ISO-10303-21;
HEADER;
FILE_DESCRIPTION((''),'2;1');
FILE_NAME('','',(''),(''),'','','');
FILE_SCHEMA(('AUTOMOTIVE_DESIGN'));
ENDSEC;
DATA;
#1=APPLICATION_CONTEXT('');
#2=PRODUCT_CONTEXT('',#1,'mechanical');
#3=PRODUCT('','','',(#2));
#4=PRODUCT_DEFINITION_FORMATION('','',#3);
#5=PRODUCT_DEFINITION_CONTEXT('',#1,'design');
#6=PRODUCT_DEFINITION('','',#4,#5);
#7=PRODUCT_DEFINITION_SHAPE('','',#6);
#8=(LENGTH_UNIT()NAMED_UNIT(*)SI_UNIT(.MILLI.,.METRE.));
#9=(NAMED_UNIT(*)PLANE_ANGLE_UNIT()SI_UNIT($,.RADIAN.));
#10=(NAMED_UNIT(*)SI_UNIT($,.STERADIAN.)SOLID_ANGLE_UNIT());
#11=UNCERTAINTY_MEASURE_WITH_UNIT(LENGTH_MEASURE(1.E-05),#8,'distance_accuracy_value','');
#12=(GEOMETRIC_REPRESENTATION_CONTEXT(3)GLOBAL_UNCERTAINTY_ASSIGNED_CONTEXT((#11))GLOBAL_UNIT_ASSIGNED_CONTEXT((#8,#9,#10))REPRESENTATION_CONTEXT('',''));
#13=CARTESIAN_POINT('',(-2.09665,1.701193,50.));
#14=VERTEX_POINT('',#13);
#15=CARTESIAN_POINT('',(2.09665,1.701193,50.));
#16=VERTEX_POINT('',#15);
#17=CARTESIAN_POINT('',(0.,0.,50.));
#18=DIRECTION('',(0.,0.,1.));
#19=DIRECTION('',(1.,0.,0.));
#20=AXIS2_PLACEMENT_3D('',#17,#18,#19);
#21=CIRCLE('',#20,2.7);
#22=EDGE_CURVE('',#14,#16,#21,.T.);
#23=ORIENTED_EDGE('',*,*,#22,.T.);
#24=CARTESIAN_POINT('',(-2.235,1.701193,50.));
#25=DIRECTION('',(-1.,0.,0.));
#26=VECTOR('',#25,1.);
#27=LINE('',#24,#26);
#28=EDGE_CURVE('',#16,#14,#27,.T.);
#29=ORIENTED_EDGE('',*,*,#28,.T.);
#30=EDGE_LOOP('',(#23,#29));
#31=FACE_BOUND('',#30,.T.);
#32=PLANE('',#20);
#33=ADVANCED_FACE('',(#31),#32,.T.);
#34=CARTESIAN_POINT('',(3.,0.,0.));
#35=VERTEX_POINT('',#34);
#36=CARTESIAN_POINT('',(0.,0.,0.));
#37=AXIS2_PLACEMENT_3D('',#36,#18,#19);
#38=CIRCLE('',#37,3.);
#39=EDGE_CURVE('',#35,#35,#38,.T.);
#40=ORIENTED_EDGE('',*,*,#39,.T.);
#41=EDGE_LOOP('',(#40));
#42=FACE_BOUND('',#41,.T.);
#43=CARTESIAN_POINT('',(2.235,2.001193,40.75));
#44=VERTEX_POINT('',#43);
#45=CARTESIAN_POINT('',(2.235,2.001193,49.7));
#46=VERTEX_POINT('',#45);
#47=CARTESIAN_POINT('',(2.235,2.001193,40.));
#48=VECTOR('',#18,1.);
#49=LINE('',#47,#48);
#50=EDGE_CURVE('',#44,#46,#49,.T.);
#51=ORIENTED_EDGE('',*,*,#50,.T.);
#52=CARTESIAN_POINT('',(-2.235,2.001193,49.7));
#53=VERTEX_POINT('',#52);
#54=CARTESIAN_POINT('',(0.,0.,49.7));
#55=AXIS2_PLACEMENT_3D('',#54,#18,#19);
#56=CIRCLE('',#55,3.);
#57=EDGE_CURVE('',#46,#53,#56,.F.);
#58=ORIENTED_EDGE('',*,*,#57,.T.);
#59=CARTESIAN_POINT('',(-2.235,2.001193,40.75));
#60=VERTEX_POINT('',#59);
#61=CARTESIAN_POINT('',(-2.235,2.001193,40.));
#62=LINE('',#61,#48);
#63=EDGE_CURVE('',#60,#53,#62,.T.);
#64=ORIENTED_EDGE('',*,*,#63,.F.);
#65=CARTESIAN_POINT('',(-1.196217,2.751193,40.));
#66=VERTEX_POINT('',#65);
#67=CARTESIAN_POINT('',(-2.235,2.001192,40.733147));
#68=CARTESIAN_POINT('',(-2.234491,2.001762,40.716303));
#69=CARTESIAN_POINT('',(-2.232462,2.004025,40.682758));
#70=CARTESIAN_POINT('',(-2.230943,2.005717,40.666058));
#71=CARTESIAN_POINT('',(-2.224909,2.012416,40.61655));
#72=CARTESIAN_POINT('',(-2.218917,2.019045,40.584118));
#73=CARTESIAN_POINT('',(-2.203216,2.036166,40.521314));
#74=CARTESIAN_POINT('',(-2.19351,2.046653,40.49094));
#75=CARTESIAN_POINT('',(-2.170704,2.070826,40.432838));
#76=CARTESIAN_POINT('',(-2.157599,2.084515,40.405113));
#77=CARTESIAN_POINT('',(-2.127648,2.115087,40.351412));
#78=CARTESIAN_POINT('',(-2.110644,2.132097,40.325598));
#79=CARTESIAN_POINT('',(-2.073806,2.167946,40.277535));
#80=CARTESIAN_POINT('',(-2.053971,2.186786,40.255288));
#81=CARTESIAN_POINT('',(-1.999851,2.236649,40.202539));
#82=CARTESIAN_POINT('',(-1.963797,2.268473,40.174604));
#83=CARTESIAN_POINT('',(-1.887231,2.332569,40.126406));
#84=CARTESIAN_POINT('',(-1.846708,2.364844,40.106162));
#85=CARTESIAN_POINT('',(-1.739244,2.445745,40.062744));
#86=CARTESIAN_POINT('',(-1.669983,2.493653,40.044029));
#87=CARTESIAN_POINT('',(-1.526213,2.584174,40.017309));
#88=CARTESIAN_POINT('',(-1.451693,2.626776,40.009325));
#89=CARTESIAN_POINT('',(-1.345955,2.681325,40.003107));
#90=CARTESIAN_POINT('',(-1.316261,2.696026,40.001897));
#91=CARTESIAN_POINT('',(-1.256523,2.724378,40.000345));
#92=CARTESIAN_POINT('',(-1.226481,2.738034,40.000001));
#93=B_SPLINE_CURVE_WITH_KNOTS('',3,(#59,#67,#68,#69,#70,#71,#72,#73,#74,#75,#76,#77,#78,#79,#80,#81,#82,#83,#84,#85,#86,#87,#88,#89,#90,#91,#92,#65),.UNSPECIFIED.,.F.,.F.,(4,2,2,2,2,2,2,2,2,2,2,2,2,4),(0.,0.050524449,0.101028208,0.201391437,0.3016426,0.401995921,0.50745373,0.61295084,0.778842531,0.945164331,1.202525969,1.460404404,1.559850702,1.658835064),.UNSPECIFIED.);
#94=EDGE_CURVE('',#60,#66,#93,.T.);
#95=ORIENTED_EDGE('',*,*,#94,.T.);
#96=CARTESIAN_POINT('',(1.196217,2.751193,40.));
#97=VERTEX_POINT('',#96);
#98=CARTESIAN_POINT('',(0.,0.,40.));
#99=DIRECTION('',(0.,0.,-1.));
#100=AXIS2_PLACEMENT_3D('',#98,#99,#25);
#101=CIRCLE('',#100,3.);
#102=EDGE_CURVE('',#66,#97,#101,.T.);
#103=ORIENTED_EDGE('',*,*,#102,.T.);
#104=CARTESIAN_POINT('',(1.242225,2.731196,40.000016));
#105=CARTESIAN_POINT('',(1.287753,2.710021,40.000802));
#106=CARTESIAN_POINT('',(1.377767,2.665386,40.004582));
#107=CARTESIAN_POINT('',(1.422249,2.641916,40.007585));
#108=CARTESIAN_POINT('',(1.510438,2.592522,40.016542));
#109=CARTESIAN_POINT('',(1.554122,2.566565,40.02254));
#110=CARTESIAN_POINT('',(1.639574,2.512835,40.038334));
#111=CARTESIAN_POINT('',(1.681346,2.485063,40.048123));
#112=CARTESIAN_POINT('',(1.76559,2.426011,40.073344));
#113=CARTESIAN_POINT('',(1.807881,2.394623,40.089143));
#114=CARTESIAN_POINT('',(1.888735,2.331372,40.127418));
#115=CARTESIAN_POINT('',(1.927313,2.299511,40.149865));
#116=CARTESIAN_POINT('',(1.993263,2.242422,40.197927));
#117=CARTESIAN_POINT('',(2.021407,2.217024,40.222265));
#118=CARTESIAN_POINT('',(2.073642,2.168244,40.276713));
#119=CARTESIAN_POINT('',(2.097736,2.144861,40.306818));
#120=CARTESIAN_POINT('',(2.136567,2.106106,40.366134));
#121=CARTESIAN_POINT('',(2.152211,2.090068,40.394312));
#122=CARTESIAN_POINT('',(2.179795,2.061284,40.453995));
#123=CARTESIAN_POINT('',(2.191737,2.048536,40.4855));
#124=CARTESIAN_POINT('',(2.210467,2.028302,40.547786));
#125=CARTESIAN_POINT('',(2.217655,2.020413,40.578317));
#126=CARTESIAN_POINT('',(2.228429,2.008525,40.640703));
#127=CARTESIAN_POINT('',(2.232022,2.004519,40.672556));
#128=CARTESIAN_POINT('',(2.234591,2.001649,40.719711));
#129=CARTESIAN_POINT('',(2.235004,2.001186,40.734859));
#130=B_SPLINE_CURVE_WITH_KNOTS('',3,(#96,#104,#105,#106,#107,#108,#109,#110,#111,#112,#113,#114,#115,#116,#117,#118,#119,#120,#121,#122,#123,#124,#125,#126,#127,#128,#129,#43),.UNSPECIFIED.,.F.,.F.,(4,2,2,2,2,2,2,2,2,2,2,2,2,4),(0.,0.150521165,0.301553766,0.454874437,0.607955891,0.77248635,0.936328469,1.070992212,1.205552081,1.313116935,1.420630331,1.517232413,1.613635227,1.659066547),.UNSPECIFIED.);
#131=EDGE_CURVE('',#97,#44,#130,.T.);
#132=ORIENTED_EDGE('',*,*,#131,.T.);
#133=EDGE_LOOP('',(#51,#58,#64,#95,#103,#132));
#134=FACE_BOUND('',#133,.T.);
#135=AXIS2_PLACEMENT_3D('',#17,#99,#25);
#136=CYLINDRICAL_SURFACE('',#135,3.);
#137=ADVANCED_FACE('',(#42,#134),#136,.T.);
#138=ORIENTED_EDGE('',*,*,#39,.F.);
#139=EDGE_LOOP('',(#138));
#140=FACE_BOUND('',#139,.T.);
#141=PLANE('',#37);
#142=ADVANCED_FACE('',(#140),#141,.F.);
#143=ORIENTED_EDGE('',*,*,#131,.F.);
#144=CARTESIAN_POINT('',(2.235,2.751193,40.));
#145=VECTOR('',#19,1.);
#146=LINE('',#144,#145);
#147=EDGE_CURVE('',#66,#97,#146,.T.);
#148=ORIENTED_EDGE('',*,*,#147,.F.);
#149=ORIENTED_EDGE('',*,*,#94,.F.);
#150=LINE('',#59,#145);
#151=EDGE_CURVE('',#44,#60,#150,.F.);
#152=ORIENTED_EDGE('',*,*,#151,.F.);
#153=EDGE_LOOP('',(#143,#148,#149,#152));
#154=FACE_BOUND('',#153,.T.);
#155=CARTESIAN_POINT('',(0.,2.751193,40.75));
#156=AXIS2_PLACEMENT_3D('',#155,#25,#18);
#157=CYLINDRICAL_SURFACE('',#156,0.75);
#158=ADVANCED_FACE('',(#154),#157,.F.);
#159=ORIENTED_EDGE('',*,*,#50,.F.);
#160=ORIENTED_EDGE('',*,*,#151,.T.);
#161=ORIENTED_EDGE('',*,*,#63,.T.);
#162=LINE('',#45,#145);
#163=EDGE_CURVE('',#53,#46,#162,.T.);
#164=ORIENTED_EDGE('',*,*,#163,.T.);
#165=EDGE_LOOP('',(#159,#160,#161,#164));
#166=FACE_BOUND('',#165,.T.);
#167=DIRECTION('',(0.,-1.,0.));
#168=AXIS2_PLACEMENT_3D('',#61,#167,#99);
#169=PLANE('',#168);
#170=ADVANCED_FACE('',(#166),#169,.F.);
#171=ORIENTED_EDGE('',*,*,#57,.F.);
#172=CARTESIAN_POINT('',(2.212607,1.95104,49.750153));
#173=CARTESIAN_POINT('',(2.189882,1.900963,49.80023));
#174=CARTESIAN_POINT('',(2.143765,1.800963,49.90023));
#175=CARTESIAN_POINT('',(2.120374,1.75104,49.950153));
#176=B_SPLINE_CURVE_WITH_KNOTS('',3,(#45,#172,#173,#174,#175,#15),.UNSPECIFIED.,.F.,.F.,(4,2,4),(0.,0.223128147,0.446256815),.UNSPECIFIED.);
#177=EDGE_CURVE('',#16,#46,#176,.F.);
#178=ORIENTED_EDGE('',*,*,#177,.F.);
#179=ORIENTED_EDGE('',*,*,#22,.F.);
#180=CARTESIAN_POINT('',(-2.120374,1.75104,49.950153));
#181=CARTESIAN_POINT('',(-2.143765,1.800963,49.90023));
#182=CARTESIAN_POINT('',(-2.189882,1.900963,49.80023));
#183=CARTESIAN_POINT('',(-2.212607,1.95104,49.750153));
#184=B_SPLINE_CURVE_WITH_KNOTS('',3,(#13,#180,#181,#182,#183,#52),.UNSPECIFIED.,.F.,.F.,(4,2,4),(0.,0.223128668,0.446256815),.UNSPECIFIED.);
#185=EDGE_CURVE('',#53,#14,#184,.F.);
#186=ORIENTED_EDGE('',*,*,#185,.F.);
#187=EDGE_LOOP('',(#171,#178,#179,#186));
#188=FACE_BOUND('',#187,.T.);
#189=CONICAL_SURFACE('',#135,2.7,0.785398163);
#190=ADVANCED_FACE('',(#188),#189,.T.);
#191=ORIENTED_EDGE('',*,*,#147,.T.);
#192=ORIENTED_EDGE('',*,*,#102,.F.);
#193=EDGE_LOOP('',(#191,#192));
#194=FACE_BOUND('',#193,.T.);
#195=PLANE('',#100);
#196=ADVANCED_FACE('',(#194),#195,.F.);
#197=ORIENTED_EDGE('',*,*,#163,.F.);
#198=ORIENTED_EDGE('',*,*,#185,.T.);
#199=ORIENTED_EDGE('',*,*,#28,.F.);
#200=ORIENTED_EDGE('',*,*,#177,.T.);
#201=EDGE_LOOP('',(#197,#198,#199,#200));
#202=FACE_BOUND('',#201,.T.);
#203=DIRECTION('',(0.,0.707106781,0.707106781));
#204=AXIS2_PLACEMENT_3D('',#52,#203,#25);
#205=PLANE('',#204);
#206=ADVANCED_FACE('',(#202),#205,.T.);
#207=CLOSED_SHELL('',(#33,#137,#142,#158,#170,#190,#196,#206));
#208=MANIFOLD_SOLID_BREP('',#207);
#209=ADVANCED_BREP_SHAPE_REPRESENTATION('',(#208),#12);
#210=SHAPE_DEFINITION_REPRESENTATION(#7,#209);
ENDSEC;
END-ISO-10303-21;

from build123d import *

# Parameters (mm, degrees)
BOSS_EXTRUDE1_DEPTH = 50
SKETCH2_W           = 4.47
SKETCH2_H           = 5
CUT_EXTRUDE2_DEPTH  = 10
CHAMFER1_SIZE       = 0.3
FILLET1_R           = 0.75


with BuildPart() as part:
    # Sketch1 → Boss-Extrude1 (new body)
    with BuildSketch(Plane.XY):
        with BuildLine():
            ThreePointArc((2.35, 1.86480562), (0, 3), (-2.35, 1.86480562))
            Line((-2.35, 1.86480562), (2.35, 1.86480562))
        make_face()
        with BuildLine():
            Line((2.35, 1.86480562), (-2.35, 1.86480562))
            ThreePointArc((-2.35, 1.86480562), (-0.987420883, -2.832843095), (3, 0))
            ThreePointArc((3, 0), (2.832843095, 0.987420883), (2.35, 1.86480562))
        make_face()
    extrude(amount=BOSS_EXTRUDE1_DEPTH)

    # Sketch2 → Cut-Extrude2 (cut)
    with BuildSketch(Plane.XY.offset(50)):
        with Locations((0, 4.501193394)):
            Rectangle(SKETCH2_W, SKETCH2_H)
    extrude(amount=-CUT_EXTRUDE2_DEPTH, mode=Mode.SUBTRACT)

    # Chamfer1
    chamfer1_edges = [part.edges().sort_by_distance(p)[0] for p in [
        (-0.089200091, -2.998673597, 50),
        (0, 2.001193394, 50),
    ]]
    chamfer(chamfer1_edges, length=CHAMFER1_SIZE)

    # Fillet1
    fillet1_edges = [part.edges().sort_by_distance(p)[0] for p in [
        (0, 2.001193394, 40),
    ]]
    fillet(fillet1_edges, radius=FILLET1_R)


solid = part.part
